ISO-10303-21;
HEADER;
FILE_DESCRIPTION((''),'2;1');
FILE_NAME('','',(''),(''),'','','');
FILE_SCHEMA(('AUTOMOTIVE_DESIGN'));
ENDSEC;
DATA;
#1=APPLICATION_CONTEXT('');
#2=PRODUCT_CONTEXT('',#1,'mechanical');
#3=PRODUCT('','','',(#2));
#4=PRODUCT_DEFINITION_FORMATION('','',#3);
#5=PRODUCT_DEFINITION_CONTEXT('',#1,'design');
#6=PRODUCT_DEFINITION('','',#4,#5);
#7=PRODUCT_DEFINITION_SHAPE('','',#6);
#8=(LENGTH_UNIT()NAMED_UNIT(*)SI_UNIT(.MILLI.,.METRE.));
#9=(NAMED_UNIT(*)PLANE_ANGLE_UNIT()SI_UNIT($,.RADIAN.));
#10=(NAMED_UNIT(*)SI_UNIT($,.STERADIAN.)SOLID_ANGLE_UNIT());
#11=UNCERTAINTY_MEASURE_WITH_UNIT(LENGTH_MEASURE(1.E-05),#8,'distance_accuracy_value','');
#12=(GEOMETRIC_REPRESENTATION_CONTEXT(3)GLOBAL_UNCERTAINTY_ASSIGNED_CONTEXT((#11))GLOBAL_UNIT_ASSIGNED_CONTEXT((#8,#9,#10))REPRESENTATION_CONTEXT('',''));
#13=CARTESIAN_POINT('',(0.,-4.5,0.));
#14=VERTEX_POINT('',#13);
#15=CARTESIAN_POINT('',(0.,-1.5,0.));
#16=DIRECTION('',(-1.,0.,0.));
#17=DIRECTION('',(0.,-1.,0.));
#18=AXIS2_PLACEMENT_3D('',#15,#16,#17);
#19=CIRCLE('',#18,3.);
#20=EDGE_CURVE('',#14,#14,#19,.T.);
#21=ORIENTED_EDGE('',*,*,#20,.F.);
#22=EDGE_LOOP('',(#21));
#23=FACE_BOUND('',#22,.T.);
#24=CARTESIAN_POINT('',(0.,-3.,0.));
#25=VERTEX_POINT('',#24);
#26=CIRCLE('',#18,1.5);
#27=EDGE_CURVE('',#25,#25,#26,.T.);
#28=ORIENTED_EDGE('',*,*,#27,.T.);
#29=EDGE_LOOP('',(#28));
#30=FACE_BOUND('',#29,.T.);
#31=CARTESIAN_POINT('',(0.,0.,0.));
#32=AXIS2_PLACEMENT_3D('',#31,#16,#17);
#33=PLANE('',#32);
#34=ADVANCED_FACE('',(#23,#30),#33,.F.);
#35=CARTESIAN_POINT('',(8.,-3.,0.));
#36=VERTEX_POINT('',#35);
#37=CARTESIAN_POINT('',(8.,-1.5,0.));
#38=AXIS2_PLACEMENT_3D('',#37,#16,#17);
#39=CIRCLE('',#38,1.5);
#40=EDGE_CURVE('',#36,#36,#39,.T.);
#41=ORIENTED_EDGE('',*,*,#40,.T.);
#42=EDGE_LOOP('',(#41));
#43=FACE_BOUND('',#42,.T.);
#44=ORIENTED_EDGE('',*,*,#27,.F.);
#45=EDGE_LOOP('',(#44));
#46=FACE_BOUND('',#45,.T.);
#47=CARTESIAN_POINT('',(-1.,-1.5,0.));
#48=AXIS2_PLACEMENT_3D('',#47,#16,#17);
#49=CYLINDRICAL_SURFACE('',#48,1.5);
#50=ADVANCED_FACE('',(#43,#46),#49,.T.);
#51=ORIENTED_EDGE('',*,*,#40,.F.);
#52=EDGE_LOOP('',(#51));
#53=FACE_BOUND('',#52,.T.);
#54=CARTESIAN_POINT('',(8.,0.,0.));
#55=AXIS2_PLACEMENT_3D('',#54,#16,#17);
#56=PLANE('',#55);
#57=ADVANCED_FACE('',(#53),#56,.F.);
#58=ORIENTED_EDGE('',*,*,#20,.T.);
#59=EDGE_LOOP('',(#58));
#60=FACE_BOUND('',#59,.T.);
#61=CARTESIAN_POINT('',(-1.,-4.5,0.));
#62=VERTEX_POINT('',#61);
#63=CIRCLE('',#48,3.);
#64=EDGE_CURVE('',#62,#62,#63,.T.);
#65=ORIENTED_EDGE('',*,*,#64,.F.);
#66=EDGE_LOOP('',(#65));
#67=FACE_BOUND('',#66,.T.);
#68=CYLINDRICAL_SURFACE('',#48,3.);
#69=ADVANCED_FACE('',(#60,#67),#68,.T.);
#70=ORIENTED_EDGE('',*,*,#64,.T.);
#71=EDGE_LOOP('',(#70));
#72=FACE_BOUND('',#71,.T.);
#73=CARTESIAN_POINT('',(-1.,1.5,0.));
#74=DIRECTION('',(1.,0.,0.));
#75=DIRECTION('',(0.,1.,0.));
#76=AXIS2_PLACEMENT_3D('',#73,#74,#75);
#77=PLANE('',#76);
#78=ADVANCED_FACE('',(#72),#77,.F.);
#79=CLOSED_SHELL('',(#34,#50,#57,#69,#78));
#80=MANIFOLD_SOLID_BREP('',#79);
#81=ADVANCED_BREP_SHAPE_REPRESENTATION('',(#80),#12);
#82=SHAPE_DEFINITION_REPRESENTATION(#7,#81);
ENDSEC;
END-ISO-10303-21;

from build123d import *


with BuildPart() as part:
    # 草图1 → 旋转1 (revolve)
    with BuildSketch(Plane.XY, mode=Mode.PRIVATE) as revolve_1_sk:
        Polygon((0, 0), (8, 0), (8, -1.5), (-1, -1.5), (-1, 1.5), (0, 1.5), align=None)
    revolve(revolve_1_sk.sketch.rotate(Axis((-1, -1.5, 0), (1, 0, 0)), 180), axis=Axis((-1, -1.5, 0), (1, 0, 0)))


solid = part.part
